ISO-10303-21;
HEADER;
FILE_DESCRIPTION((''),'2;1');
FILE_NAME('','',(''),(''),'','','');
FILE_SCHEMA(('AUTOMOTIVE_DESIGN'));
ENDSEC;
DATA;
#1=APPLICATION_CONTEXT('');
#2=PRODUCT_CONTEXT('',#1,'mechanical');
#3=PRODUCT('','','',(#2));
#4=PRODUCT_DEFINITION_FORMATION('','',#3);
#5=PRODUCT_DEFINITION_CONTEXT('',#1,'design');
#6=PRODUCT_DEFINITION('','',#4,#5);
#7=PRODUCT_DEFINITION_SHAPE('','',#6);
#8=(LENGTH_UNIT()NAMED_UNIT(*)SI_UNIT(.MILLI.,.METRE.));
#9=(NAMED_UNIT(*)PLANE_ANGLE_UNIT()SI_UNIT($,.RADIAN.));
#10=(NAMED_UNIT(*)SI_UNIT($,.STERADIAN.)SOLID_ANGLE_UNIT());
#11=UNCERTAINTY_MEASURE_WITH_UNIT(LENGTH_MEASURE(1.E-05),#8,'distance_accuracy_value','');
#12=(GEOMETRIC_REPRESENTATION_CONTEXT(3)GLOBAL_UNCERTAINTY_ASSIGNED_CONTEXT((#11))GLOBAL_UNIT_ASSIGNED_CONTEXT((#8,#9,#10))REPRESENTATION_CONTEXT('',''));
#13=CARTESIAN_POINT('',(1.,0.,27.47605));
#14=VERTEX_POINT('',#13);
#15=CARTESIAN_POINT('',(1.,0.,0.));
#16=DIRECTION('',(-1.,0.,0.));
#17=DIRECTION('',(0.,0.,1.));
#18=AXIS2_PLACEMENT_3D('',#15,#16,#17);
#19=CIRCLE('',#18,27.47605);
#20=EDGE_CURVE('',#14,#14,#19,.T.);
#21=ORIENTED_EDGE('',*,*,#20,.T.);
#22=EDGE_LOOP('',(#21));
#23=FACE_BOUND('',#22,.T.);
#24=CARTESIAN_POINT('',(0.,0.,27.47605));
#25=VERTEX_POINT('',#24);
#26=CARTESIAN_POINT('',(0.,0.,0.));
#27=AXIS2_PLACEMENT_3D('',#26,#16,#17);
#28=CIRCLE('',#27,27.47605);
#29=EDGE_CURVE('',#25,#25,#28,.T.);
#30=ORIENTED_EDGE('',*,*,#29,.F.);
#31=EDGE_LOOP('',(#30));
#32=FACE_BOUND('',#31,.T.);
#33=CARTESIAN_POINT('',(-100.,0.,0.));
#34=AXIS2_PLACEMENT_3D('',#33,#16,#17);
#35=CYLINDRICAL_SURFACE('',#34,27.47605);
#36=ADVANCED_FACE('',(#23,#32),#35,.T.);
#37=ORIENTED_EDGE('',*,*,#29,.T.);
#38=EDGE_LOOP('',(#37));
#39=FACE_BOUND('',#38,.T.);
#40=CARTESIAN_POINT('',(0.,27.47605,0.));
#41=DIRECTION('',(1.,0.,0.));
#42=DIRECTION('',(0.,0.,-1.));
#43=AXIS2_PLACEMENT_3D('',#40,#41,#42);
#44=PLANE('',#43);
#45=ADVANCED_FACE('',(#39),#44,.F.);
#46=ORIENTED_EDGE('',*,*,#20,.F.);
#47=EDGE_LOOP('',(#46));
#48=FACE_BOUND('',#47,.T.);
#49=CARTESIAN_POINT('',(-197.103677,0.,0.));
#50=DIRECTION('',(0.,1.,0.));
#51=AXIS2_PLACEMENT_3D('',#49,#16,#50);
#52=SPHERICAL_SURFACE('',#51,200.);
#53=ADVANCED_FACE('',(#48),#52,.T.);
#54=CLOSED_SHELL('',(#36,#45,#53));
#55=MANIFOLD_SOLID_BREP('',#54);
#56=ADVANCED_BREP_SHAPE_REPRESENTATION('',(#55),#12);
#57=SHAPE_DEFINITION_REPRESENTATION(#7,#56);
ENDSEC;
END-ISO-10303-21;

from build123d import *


with BuildPart() as part:
    # Sketch3 → Revolve1 (revolve)
    with BuildSketch(Plane.XY):
        with BuildLine():
            Line((0, 27.476049509), (1, 27.476049509))
            ThreePointArc((1, 27.476049509), (2.421679293, 13.770705673), (2.896323347, 0))
            Line((2.896323347, 0), (0, 0))
            Line((0, 0), (0, 27.476049509))
        make_face()
    revolve(axis=Axis((-100, 0, 0), (1, 0, 0)))


solid = part.part
